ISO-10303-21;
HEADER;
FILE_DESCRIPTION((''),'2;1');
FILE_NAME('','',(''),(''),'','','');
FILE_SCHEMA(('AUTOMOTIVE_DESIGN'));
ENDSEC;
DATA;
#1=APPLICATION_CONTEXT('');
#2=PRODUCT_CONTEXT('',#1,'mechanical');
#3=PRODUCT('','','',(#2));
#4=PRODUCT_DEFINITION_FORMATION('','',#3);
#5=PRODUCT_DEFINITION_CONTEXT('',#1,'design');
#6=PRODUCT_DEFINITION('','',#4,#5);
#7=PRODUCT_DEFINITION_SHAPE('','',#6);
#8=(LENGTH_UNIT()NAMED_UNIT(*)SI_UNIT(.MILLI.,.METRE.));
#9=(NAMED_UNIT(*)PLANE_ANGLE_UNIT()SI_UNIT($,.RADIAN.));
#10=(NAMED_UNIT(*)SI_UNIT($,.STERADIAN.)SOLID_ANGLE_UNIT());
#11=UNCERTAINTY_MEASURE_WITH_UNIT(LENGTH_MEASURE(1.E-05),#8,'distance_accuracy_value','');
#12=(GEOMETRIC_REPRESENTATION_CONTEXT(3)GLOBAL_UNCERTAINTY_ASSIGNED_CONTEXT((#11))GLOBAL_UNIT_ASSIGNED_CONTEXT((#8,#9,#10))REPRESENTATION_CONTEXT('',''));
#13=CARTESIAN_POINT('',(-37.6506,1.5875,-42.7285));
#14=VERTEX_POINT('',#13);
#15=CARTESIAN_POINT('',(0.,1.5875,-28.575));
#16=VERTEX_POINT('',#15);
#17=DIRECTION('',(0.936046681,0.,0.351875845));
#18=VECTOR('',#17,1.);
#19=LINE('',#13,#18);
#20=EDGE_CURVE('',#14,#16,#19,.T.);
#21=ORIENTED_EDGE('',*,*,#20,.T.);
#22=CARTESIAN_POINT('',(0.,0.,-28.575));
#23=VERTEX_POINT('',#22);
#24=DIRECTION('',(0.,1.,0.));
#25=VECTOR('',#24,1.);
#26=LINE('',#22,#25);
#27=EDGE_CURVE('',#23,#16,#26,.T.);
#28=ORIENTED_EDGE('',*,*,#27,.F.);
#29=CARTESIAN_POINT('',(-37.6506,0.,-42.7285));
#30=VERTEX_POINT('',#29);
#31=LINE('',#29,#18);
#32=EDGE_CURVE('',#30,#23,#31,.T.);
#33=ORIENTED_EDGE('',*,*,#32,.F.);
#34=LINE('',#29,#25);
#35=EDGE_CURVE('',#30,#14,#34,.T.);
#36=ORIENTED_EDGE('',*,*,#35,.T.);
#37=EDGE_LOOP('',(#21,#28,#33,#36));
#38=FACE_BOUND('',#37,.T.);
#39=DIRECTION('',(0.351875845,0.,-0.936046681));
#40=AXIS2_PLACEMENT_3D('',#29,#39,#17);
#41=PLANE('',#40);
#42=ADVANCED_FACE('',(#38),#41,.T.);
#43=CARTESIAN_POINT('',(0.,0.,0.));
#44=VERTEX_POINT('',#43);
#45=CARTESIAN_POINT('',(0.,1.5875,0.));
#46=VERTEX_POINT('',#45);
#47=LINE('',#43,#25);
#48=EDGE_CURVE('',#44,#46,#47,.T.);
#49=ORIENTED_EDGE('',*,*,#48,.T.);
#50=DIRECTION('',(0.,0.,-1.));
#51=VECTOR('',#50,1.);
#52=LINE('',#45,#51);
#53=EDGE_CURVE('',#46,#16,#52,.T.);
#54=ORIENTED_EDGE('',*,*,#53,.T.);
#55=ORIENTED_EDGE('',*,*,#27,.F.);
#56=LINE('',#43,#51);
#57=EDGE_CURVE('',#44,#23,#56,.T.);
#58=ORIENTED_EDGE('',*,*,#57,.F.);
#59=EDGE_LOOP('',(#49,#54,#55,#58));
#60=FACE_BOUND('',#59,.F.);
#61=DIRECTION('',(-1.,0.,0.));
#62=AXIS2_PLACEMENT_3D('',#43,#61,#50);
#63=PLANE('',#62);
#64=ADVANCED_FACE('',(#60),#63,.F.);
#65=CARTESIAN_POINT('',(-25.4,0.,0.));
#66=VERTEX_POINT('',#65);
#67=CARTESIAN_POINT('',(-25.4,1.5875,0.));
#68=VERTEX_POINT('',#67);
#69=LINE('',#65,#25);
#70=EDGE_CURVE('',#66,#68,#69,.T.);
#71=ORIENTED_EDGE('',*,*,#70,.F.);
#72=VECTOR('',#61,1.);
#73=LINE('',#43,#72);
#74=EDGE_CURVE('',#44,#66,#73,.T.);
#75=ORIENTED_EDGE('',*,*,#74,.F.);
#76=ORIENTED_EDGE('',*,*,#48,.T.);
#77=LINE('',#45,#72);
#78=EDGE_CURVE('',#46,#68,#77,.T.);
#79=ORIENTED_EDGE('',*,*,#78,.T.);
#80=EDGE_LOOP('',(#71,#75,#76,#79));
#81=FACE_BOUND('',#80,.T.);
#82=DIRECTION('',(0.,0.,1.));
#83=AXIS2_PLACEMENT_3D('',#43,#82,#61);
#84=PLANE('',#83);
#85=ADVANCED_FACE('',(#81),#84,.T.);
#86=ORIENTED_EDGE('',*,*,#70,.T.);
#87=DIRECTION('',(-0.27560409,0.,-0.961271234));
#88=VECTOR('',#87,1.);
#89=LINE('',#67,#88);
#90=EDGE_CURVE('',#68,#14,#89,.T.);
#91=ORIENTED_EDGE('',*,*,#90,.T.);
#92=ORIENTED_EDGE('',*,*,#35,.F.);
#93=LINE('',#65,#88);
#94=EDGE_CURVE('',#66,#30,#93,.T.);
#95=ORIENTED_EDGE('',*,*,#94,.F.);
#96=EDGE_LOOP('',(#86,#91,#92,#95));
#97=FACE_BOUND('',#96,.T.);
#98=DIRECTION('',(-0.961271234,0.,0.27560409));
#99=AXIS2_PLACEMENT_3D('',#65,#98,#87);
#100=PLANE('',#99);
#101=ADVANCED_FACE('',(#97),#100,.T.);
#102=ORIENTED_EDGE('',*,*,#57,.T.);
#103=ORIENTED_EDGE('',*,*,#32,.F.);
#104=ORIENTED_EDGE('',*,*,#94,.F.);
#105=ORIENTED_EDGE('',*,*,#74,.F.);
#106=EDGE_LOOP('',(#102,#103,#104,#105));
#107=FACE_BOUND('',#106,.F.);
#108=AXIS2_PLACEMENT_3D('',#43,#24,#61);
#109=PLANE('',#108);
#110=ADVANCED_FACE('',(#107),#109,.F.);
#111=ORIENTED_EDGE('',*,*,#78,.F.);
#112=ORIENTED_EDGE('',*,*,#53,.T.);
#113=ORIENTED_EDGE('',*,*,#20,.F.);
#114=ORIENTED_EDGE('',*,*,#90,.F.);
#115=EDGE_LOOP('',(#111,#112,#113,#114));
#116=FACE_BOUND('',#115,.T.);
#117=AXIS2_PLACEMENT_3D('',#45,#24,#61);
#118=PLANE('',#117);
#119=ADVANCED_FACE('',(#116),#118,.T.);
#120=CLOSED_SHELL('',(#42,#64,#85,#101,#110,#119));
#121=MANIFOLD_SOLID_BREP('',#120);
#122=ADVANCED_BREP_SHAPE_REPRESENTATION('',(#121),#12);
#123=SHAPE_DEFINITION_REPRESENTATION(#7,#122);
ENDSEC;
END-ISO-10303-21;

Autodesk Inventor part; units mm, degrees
ref_plane "YZ Plane" through (0, 0, 0) normal (1, 0, 0) x (0, 1, 0)
ref_plane "XZ Plane" through (0, 0, 0) normal (0, 1, 0) x (-1, 0, 0)
ref_plane "XY Plane" through (0, 0, 0) normal (0, 0, 1) x (1, 0, 0)
sketch "Sketch1" plane through (0, 0, 0) normal (0, 1, 0) x (-1, 0, 0)
  line L0 (0, 0) -> (0, -28.575)
  line L1 (0, 0) -> (25.4, 0)
  line L2 (25.4, 0) -> (37.6506, -42.7285)
  line L3 (37.6506, -42.7285) -> (0, -28.575)
  dimension "d0" = 28.575
  dimension "d1" = 25.4
  dimension "d2" = 44.45
extrude "Extrusion1" add sketch "Sketch1" along normal blind 1.5875
equation "\"BendRadius\" = Thickness"
equation "\"BendReliefWidth\" = Thickness"
equation "\"BendReliefDepth\" = 0.5 * Thickness"
equation "\"CornerReliefSize\" = 4 * Thickness"
equation "\"MinimumRemnant\" = 2 * Thickness"
equation "\"TransitionRadius\" = BendRadius"
equation "\"JacobiRadiusSize\" = BendRadius"
equation "\"GapSize\" = Thickness"
equation "\"Thickness\" = 1.5875"
properties part number "IntakeSleds" material "Polycarbonate, Clear"
